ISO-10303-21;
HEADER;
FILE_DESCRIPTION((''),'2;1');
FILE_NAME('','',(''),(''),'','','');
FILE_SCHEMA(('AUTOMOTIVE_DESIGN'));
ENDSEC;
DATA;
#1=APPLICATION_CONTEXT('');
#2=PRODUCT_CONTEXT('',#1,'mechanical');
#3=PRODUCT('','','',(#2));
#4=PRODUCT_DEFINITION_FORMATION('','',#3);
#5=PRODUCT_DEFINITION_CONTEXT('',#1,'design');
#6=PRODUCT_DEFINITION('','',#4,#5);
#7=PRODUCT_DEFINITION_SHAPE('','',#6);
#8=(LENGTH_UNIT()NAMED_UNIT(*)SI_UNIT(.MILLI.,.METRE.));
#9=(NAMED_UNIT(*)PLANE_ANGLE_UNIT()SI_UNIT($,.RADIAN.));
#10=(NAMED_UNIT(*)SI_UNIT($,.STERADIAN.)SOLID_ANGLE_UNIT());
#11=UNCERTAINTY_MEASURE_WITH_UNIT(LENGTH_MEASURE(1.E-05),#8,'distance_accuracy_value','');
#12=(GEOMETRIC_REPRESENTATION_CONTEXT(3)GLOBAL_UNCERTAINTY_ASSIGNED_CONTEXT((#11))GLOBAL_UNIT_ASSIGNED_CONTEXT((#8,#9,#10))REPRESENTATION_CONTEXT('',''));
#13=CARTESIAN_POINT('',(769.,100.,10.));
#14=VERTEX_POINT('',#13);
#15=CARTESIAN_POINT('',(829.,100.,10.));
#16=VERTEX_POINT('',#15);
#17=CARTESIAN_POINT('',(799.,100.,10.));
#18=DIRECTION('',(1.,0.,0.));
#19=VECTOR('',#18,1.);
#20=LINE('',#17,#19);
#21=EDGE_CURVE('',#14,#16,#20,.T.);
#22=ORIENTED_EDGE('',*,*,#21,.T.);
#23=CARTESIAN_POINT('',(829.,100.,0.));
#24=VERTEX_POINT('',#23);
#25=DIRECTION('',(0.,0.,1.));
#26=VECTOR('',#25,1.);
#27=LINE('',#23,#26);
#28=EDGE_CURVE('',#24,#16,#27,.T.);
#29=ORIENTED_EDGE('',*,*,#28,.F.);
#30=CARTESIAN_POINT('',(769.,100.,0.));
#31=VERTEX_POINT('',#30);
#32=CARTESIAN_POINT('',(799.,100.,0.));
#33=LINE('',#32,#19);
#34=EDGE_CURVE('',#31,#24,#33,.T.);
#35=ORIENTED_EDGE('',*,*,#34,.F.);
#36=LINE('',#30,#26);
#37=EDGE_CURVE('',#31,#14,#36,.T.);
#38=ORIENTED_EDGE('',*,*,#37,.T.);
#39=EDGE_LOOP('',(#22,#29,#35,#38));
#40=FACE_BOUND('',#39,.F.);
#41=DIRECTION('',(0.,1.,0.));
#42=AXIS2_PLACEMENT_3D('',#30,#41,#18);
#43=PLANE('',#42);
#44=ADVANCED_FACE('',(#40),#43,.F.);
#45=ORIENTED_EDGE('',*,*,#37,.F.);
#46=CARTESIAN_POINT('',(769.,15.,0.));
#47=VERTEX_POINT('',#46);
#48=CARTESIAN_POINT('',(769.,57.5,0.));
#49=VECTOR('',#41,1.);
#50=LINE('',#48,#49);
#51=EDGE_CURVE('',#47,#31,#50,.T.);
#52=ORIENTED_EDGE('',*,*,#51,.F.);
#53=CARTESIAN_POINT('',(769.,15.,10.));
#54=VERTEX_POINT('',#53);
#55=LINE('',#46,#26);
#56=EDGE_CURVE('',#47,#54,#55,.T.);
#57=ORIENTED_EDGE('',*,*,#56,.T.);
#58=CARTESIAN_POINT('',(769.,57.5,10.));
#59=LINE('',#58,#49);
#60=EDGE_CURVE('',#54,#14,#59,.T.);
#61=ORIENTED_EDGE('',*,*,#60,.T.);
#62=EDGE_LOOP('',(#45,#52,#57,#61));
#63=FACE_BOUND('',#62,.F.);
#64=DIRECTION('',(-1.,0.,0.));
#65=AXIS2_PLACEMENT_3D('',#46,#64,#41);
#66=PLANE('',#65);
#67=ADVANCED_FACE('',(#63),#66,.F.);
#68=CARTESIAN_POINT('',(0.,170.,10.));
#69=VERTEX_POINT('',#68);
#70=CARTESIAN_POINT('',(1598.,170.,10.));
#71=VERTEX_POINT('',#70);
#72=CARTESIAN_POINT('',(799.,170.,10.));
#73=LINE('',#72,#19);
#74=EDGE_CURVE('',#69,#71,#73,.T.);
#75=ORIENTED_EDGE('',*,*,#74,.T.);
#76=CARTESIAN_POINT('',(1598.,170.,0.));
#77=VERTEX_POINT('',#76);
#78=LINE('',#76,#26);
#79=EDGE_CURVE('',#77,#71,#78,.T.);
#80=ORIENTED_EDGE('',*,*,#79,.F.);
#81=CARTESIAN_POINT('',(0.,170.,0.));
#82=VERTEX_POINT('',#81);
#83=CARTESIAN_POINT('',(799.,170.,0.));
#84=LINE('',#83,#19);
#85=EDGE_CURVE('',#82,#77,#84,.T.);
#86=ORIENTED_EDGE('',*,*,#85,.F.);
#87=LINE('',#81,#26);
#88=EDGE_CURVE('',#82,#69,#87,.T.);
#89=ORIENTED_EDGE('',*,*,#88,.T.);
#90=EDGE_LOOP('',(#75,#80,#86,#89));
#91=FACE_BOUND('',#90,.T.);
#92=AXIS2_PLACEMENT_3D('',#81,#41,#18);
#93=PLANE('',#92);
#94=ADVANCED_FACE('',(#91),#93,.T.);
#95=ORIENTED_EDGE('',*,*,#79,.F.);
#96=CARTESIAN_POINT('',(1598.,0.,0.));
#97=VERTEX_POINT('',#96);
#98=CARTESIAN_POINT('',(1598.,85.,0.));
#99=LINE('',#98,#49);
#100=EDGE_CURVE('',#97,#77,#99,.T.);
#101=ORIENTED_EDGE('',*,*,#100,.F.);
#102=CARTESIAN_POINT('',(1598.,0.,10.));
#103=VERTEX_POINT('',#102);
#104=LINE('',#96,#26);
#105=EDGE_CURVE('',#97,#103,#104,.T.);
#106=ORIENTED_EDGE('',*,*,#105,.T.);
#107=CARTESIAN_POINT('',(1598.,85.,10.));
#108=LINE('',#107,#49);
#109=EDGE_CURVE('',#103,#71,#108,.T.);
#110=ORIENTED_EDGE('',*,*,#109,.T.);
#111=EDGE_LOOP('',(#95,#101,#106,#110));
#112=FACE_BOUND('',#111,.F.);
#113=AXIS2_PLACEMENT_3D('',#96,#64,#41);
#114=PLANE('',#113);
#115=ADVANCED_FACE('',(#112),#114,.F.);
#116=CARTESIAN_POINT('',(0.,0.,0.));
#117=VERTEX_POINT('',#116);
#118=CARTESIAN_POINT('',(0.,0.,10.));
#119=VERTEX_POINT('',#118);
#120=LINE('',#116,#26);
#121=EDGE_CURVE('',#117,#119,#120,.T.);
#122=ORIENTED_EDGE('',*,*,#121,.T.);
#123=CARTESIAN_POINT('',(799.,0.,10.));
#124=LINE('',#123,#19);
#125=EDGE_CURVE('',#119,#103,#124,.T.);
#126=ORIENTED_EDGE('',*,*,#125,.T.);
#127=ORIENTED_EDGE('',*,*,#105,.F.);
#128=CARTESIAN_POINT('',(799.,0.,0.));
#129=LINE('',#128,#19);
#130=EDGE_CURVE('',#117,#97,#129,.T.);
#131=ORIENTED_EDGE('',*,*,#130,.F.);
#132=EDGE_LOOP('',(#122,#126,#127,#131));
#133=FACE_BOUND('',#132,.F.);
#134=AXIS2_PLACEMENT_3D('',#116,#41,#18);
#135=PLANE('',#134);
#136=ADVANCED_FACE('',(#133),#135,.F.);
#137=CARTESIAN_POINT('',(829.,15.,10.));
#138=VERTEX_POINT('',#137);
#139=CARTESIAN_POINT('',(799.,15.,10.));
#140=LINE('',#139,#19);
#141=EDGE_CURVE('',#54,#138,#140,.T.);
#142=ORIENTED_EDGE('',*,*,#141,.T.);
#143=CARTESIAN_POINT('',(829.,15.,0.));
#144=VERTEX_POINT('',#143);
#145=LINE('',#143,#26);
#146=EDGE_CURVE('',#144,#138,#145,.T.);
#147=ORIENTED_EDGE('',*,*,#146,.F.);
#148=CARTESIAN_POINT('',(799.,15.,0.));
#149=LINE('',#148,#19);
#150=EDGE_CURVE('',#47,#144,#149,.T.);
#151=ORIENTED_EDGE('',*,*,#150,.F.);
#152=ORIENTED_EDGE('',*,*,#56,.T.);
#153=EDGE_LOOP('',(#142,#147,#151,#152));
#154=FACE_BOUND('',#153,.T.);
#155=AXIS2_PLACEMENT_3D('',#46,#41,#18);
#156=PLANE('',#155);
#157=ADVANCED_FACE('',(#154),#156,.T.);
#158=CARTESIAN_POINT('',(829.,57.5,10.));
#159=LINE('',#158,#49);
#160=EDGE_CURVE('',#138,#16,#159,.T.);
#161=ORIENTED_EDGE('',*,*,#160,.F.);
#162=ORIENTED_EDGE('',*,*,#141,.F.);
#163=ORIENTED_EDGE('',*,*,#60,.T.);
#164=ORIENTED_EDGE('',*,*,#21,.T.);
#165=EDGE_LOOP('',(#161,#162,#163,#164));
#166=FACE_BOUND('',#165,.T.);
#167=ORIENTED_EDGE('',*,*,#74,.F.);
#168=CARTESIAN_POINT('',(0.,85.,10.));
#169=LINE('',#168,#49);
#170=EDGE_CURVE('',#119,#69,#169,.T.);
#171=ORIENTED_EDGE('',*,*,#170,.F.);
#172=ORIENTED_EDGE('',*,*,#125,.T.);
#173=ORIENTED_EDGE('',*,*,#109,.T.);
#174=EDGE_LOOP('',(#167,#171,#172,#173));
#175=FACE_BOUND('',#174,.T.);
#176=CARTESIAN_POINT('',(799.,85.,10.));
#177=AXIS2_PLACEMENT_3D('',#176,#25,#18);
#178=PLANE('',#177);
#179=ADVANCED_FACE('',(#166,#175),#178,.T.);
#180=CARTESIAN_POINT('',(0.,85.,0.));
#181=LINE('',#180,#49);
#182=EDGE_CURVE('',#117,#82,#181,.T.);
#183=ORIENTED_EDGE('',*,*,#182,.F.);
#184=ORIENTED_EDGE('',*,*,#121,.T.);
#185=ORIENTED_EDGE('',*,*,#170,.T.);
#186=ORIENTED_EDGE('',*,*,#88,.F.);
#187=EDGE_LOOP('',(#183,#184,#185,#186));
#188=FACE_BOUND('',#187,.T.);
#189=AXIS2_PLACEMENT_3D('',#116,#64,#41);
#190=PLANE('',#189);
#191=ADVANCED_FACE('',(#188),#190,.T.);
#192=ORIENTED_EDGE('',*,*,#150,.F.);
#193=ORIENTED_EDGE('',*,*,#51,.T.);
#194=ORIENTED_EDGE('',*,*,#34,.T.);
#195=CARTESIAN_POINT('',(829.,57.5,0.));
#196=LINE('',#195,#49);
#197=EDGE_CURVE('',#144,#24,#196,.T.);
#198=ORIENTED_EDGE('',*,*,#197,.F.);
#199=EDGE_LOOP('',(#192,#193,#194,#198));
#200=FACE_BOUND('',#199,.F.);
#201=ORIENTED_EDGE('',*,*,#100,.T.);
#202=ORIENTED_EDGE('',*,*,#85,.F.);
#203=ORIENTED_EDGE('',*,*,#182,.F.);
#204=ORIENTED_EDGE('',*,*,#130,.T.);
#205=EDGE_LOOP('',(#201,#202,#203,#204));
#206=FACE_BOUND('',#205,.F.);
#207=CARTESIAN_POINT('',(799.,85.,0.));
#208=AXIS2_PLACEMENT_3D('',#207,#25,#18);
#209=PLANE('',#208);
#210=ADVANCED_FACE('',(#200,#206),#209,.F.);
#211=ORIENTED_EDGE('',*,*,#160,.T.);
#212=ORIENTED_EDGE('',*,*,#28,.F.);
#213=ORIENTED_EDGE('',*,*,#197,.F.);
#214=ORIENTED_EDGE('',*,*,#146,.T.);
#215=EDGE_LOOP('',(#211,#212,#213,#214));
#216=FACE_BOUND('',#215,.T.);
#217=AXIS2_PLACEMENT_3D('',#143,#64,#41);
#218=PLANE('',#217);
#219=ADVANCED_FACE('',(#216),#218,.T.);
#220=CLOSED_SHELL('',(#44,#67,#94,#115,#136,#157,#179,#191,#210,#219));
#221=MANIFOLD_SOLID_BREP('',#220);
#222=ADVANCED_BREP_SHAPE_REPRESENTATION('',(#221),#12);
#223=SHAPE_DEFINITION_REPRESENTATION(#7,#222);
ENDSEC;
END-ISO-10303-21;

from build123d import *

# Parameters (mm, degrees)
SKETCH_W   = 1598
SKETCH_H   = 170
SKETCH_W_2 = 60
SKETCH_H_2 = 85
PAD_DEPTH  = 10


with BuildPart() as part:
    # Sketch → Pad (new body)
    with BuildSketch(Plane.XY):
        with Locations((799, 85)):
            Rectangle(SKETCH_W, SKETCH_H)
        with Locations((799, 57.5)):
            Rectangle(SKETCH_W_2, SKETCH_H_2, mode=Mode.SUBTRACT)
    extrude(amount=PAD_DEPTH)


solid = part.part
